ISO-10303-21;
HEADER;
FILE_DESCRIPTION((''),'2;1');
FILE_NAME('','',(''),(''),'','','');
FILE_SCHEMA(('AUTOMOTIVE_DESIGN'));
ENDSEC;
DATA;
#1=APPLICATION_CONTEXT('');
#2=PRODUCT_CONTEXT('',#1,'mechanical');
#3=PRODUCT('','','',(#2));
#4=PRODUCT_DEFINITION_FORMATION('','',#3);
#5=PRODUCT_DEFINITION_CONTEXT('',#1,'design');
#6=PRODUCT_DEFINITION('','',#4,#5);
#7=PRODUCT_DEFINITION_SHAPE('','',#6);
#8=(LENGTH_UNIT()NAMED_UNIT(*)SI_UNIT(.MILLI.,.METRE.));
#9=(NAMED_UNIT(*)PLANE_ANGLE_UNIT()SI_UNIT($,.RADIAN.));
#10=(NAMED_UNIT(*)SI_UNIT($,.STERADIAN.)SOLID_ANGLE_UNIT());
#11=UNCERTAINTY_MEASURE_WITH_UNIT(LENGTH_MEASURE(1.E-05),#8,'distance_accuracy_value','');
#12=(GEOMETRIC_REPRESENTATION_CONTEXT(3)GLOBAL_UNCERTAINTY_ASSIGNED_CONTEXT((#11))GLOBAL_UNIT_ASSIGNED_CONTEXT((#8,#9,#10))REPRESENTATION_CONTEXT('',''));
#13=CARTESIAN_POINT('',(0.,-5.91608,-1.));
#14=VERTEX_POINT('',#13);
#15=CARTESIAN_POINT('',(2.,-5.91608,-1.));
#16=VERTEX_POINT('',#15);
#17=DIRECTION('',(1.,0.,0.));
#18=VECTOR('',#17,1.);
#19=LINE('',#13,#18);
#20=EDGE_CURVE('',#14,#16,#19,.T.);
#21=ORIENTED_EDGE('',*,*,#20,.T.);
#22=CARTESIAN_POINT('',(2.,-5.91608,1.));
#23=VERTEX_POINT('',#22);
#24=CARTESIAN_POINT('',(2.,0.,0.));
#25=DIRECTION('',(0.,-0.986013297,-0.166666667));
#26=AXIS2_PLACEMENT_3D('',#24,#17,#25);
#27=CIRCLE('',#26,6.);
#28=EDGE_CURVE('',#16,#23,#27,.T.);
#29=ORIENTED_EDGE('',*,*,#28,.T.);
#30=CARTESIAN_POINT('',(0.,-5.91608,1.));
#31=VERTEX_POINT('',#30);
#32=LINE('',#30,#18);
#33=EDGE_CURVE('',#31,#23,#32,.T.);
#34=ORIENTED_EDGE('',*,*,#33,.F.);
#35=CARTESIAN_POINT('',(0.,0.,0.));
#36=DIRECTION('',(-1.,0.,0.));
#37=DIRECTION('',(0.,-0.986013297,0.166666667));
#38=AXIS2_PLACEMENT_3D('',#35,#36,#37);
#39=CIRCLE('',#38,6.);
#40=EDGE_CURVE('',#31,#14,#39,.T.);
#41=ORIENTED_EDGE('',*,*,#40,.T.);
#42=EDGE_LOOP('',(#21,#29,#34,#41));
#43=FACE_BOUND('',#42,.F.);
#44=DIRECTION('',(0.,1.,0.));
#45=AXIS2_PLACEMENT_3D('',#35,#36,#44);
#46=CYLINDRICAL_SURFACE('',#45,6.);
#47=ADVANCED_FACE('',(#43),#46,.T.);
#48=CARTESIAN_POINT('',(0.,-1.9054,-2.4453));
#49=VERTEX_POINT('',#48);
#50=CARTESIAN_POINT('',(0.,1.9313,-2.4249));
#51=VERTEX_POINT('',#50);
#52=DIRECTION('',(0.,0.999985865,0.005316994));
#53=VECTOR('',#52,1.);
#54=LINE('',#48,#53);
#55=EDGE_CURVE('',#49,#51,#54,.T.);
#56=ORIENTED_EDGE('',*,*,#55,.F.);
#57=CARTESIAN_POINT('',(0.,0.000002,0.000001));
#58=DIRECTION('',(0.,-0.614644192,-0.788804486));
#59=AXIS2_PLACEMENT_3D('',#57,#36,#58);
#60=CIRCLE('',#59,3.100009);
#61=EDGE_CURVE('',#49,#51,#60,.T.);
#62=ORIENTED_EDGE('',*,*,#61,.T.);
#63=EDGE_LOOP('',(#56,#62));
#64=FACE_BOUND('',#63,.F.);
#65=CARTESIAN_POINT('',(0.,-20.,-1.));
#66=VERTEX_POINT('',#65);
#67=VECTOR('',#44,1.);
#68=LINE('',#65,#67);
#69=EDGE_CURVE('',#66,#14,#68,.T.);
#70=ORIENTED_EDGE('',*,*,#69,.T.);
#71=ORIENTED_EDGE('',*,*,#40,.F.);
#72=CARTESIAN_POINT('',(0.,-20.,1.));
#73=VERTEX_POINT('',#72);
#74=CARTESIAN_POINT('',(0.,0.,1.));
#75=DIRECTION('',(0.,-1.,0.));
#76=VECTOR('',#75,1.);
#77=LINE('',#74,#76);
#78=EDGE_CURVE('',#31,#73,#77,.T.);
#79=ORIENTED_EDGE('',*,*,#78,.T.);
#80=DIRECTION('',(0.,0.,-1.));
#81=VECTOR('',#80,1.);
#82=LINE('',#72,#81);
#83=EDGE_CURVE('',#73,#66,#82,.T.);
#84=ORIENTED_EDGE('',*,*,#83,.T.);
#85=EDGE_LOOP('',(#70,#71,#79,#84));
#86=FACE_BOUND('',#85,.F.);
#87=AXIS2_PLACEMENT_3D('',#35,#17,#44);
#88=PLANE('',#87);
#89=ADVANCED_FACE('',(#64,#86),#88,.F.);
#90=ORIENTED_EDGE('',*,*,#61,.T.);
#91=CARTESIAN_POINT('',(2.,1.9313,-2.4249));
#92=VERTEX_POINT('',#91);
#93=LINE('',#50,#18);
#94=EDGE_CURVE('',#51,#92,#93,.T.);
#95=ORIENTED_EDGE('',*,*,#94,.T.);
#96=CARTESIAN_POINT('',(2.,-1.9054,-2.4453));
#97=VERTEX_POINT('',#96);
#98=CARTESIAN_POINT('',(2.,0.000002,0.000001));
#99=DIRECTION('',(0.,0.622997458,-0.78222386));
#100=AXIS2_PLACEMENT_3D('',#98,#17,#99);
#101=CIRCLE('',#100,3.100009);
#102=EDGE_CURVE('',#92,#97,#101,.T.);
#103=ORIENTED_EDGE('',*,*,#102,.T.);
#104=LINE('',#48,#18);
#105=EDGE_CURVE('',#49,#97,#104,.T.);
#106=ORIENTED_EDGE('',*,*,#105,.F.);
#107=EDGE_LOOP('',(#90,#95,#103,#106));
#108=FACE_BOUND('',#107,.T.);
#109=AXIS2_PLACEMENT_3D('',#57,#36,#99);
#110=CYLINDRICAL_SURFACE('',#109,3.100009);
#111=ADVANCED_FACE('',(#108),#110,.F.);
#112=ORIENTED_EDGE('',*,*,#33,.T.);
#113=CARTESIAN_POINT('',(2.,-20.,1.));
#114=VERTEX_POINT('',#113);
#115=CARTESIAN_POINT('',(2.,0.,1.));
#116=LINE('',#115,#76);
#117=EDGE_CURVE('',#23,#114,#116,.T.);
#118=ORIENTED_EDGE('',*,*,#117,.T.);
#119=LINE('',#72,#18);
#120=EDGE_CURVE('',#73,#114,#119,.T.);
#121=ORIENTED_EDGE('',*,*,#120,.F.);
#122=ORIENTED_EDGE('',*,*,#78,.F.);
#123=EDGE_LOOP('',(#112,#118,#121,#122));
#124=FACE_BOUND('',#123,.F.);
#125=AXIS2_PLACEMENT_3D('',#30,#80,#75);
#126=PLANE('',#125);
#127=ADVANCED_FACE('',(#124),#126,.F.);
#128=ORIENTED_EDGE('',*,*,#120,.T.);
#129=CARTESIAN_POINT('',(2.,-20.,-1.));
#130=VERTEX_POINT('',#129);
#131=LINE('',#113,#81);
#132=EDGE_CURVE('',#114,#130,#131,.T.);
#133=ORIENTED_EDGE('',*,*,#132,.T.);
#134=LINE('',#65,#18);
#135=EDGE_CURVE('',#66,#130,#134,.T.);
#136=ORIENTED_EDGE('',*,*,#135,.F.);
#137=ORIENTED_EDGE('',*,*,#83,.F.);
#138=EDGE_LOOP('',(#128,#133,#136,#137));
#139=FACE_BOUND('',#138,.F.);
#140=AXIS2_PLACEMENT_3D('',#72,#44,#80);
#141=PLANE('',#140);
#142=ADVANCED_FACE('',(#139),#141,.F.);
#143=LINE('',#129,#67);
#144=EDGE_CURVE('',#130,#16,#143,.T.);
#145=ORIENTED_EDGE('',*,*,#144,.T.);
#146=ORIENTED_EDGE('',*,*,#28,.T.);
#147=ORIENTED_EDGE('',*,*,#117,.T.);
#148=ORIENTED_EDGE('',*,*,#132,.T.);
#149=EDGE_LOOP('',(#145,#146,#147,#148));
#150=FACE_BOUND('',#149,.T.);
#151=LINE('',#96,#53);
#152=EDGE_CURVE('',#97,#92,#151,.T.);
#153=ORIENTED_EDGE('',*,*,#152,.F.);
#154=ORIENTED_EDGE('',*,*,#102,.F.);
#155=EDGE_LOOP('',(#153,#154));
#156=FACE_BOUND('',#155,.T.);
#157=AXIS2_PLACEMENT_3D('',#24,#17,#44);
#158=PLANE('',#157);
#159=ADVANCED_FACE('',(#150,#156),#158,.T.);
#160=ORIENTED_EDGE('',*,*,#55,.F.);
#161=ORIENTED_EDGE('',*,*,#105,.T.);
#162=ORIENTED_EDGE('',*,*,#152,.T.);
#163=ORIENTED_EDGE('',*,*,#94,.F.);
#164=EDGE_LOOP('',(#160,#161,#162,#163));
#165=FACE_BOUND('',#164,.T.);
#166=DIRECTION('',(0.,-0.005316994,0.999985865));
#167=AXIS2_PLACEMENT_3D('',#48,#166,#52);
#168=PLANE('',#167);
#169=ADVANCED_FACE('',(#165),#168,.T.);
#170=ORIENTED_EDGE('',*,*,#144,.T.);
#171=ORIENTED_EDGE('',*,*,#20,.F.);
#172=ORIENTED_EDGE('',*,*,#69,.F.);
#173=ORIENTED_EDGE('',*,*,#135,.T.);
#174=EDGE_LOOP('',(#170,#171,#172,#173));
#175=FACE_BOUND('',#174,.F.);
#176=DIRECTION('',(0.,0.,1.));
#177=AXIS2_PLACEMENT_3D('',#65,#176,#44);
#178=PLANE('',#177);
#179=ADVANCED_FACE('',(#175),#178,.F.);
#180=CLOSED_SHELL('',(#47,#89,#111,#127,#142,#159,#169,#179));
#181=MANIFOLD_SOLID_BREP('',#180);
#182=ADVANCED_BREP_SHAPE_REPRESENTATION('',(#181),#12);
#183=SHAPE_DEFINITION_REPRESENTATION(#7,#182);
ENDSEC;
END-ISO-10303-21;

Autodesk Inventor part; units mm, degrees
ref_plane "YZ Plane" through (0, 0, 0) normal (1, 0, 0) x (0, 1, 0)
ref_plane "XZ Plane" through (0, 0, 0) normal (0, 1, 0) x (-1, 0, 0)
ref_plane "XY Plane" through (0, 0, 0) normal (0, 0, 1) x (1, 0, 0)
sketch "Sketch1" plane through (0, 0, 0) normal (1, 0, 0) x (0, 1, 0)
  arc A0 (1.9313, -2.4249) -> (-1.9054, -2.4453) centre (0, 0) ccw
  circle A1 centre (0, 0) radius 6
  line L0 (-3.1, 0) -> (-3.1, 2) construction
  line L1 (-1.9054, -2.4453) -> (1.9313, -2.4249)
  line L2 (0, 1) -> (-20, 1)
  line L3 (-20, 1) -> (-20, -1)
  line L4 (-20, -1) -> (0, -1)
  line L5 (0, -1) -> (0, 1)
  point P0 (-5.9161, -1)
  point P1 (-5.9161, 1)
  dimension "d0" = 6.2
  dimension "d1" = 12
  dimension "d2" = 2
  dimension "d5" = 1
  dimension "d6" = 2
  dimension "d7" = 20
extrude "Extrusion1" add sketch "Sketch1" along normal blind 2 contours A0 L2 A1 L4 L1 | A0 L4 A1 L2 | A1 L4 L3 L2
equation "\"d6\" = 2 * d5"
properties part number "tarcza krańcówek"
